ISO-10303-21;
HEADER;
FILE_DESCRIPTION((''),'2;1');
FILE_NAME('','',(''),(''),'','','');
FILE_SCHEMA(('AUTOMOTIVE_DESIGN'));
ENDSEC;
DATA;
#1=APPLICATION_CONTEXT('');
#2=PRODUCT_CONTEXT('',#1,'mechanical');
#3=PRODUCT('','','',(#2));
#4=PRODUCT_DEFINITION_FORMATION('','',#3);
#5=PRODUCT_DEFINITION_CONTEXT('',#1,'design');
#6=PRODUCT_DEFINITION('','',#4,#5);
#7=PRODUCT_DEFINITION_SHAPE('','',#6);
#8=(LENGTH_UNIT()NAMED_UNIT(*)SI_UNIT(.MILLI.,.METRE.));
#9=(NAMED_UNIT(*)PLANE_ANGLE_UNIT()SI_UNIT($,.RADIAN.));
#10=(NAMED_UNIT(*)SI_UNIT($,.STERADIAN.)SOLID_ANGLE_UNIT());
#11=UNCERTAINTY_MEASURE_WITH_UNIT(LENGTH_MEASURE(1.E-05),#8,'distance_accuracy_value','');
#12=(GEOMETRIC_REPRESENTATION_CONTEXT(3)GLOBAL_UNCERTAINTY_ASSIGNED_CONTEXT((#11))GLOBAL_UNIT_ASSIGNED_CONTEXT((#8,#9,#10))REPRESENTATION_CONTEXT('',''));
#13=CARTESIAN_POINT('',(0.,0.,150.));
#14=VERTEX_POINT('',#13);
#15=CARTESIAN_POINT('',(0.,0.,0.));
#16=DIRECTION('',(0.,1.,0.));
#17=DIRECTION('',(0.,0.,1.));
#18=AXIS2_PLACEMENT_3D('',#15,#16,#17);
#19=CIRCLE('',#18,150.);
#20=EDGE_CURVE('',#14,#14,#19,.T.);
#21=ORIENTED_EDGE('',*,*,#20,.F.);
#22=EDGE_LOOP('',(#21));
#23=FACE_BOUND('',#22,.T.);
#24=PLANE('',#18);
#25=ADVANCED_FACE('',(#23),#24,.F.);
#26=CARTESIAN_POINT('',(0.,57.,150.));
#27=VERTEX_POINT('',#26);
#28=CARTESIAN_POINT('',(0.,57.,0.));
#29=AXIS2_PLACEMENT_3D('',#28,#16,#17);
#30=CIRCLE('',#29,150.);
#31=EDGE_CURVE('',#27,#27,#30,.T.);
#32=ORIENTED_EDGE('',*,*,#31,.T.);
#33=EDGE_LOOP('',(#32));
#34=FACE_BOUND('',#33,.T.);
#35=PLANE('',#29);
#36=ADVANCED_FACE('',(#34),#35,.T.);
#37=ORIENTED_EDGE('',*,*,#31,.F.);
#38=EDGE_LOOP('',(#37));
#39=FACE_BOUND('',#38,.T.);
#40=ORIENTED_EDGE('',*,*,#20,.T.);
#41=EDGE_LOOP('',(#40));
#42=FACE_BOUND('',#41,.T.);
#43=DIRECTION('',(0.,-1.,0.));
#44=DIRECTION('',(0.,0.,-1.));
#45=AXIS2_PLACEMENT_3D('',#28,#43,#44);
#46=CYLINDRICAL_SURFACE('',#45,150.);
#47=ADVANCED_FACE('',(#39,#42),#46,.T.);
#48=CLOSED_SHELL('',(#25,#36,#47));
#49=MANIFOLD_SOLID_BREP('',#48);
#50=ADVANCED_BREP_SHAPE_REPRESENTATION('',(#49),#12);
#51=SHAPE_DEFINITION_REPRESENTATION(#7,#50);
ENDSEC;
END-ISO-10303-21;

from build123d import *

# Parameters (mm, degrees)
SKETCH1_R      = 150
EXTRUDE1_DEPTH = 57


with BuildPart() as part:
    # Sketch1 → Extrude1 (new body)
    with BuildSketch(Plane(origin=(0, 0, 0), x_dir=(1, 0, 0), z_dir=(0, 1, 0))):
        with Locations(Location((0, 0, 0), (0, 0, 270))):  # turned: the seam where the file's is
            Circle(SKETCH1_R)
    extrude(amount=EXTRUDE1_DEPTH)


solid = part.part
